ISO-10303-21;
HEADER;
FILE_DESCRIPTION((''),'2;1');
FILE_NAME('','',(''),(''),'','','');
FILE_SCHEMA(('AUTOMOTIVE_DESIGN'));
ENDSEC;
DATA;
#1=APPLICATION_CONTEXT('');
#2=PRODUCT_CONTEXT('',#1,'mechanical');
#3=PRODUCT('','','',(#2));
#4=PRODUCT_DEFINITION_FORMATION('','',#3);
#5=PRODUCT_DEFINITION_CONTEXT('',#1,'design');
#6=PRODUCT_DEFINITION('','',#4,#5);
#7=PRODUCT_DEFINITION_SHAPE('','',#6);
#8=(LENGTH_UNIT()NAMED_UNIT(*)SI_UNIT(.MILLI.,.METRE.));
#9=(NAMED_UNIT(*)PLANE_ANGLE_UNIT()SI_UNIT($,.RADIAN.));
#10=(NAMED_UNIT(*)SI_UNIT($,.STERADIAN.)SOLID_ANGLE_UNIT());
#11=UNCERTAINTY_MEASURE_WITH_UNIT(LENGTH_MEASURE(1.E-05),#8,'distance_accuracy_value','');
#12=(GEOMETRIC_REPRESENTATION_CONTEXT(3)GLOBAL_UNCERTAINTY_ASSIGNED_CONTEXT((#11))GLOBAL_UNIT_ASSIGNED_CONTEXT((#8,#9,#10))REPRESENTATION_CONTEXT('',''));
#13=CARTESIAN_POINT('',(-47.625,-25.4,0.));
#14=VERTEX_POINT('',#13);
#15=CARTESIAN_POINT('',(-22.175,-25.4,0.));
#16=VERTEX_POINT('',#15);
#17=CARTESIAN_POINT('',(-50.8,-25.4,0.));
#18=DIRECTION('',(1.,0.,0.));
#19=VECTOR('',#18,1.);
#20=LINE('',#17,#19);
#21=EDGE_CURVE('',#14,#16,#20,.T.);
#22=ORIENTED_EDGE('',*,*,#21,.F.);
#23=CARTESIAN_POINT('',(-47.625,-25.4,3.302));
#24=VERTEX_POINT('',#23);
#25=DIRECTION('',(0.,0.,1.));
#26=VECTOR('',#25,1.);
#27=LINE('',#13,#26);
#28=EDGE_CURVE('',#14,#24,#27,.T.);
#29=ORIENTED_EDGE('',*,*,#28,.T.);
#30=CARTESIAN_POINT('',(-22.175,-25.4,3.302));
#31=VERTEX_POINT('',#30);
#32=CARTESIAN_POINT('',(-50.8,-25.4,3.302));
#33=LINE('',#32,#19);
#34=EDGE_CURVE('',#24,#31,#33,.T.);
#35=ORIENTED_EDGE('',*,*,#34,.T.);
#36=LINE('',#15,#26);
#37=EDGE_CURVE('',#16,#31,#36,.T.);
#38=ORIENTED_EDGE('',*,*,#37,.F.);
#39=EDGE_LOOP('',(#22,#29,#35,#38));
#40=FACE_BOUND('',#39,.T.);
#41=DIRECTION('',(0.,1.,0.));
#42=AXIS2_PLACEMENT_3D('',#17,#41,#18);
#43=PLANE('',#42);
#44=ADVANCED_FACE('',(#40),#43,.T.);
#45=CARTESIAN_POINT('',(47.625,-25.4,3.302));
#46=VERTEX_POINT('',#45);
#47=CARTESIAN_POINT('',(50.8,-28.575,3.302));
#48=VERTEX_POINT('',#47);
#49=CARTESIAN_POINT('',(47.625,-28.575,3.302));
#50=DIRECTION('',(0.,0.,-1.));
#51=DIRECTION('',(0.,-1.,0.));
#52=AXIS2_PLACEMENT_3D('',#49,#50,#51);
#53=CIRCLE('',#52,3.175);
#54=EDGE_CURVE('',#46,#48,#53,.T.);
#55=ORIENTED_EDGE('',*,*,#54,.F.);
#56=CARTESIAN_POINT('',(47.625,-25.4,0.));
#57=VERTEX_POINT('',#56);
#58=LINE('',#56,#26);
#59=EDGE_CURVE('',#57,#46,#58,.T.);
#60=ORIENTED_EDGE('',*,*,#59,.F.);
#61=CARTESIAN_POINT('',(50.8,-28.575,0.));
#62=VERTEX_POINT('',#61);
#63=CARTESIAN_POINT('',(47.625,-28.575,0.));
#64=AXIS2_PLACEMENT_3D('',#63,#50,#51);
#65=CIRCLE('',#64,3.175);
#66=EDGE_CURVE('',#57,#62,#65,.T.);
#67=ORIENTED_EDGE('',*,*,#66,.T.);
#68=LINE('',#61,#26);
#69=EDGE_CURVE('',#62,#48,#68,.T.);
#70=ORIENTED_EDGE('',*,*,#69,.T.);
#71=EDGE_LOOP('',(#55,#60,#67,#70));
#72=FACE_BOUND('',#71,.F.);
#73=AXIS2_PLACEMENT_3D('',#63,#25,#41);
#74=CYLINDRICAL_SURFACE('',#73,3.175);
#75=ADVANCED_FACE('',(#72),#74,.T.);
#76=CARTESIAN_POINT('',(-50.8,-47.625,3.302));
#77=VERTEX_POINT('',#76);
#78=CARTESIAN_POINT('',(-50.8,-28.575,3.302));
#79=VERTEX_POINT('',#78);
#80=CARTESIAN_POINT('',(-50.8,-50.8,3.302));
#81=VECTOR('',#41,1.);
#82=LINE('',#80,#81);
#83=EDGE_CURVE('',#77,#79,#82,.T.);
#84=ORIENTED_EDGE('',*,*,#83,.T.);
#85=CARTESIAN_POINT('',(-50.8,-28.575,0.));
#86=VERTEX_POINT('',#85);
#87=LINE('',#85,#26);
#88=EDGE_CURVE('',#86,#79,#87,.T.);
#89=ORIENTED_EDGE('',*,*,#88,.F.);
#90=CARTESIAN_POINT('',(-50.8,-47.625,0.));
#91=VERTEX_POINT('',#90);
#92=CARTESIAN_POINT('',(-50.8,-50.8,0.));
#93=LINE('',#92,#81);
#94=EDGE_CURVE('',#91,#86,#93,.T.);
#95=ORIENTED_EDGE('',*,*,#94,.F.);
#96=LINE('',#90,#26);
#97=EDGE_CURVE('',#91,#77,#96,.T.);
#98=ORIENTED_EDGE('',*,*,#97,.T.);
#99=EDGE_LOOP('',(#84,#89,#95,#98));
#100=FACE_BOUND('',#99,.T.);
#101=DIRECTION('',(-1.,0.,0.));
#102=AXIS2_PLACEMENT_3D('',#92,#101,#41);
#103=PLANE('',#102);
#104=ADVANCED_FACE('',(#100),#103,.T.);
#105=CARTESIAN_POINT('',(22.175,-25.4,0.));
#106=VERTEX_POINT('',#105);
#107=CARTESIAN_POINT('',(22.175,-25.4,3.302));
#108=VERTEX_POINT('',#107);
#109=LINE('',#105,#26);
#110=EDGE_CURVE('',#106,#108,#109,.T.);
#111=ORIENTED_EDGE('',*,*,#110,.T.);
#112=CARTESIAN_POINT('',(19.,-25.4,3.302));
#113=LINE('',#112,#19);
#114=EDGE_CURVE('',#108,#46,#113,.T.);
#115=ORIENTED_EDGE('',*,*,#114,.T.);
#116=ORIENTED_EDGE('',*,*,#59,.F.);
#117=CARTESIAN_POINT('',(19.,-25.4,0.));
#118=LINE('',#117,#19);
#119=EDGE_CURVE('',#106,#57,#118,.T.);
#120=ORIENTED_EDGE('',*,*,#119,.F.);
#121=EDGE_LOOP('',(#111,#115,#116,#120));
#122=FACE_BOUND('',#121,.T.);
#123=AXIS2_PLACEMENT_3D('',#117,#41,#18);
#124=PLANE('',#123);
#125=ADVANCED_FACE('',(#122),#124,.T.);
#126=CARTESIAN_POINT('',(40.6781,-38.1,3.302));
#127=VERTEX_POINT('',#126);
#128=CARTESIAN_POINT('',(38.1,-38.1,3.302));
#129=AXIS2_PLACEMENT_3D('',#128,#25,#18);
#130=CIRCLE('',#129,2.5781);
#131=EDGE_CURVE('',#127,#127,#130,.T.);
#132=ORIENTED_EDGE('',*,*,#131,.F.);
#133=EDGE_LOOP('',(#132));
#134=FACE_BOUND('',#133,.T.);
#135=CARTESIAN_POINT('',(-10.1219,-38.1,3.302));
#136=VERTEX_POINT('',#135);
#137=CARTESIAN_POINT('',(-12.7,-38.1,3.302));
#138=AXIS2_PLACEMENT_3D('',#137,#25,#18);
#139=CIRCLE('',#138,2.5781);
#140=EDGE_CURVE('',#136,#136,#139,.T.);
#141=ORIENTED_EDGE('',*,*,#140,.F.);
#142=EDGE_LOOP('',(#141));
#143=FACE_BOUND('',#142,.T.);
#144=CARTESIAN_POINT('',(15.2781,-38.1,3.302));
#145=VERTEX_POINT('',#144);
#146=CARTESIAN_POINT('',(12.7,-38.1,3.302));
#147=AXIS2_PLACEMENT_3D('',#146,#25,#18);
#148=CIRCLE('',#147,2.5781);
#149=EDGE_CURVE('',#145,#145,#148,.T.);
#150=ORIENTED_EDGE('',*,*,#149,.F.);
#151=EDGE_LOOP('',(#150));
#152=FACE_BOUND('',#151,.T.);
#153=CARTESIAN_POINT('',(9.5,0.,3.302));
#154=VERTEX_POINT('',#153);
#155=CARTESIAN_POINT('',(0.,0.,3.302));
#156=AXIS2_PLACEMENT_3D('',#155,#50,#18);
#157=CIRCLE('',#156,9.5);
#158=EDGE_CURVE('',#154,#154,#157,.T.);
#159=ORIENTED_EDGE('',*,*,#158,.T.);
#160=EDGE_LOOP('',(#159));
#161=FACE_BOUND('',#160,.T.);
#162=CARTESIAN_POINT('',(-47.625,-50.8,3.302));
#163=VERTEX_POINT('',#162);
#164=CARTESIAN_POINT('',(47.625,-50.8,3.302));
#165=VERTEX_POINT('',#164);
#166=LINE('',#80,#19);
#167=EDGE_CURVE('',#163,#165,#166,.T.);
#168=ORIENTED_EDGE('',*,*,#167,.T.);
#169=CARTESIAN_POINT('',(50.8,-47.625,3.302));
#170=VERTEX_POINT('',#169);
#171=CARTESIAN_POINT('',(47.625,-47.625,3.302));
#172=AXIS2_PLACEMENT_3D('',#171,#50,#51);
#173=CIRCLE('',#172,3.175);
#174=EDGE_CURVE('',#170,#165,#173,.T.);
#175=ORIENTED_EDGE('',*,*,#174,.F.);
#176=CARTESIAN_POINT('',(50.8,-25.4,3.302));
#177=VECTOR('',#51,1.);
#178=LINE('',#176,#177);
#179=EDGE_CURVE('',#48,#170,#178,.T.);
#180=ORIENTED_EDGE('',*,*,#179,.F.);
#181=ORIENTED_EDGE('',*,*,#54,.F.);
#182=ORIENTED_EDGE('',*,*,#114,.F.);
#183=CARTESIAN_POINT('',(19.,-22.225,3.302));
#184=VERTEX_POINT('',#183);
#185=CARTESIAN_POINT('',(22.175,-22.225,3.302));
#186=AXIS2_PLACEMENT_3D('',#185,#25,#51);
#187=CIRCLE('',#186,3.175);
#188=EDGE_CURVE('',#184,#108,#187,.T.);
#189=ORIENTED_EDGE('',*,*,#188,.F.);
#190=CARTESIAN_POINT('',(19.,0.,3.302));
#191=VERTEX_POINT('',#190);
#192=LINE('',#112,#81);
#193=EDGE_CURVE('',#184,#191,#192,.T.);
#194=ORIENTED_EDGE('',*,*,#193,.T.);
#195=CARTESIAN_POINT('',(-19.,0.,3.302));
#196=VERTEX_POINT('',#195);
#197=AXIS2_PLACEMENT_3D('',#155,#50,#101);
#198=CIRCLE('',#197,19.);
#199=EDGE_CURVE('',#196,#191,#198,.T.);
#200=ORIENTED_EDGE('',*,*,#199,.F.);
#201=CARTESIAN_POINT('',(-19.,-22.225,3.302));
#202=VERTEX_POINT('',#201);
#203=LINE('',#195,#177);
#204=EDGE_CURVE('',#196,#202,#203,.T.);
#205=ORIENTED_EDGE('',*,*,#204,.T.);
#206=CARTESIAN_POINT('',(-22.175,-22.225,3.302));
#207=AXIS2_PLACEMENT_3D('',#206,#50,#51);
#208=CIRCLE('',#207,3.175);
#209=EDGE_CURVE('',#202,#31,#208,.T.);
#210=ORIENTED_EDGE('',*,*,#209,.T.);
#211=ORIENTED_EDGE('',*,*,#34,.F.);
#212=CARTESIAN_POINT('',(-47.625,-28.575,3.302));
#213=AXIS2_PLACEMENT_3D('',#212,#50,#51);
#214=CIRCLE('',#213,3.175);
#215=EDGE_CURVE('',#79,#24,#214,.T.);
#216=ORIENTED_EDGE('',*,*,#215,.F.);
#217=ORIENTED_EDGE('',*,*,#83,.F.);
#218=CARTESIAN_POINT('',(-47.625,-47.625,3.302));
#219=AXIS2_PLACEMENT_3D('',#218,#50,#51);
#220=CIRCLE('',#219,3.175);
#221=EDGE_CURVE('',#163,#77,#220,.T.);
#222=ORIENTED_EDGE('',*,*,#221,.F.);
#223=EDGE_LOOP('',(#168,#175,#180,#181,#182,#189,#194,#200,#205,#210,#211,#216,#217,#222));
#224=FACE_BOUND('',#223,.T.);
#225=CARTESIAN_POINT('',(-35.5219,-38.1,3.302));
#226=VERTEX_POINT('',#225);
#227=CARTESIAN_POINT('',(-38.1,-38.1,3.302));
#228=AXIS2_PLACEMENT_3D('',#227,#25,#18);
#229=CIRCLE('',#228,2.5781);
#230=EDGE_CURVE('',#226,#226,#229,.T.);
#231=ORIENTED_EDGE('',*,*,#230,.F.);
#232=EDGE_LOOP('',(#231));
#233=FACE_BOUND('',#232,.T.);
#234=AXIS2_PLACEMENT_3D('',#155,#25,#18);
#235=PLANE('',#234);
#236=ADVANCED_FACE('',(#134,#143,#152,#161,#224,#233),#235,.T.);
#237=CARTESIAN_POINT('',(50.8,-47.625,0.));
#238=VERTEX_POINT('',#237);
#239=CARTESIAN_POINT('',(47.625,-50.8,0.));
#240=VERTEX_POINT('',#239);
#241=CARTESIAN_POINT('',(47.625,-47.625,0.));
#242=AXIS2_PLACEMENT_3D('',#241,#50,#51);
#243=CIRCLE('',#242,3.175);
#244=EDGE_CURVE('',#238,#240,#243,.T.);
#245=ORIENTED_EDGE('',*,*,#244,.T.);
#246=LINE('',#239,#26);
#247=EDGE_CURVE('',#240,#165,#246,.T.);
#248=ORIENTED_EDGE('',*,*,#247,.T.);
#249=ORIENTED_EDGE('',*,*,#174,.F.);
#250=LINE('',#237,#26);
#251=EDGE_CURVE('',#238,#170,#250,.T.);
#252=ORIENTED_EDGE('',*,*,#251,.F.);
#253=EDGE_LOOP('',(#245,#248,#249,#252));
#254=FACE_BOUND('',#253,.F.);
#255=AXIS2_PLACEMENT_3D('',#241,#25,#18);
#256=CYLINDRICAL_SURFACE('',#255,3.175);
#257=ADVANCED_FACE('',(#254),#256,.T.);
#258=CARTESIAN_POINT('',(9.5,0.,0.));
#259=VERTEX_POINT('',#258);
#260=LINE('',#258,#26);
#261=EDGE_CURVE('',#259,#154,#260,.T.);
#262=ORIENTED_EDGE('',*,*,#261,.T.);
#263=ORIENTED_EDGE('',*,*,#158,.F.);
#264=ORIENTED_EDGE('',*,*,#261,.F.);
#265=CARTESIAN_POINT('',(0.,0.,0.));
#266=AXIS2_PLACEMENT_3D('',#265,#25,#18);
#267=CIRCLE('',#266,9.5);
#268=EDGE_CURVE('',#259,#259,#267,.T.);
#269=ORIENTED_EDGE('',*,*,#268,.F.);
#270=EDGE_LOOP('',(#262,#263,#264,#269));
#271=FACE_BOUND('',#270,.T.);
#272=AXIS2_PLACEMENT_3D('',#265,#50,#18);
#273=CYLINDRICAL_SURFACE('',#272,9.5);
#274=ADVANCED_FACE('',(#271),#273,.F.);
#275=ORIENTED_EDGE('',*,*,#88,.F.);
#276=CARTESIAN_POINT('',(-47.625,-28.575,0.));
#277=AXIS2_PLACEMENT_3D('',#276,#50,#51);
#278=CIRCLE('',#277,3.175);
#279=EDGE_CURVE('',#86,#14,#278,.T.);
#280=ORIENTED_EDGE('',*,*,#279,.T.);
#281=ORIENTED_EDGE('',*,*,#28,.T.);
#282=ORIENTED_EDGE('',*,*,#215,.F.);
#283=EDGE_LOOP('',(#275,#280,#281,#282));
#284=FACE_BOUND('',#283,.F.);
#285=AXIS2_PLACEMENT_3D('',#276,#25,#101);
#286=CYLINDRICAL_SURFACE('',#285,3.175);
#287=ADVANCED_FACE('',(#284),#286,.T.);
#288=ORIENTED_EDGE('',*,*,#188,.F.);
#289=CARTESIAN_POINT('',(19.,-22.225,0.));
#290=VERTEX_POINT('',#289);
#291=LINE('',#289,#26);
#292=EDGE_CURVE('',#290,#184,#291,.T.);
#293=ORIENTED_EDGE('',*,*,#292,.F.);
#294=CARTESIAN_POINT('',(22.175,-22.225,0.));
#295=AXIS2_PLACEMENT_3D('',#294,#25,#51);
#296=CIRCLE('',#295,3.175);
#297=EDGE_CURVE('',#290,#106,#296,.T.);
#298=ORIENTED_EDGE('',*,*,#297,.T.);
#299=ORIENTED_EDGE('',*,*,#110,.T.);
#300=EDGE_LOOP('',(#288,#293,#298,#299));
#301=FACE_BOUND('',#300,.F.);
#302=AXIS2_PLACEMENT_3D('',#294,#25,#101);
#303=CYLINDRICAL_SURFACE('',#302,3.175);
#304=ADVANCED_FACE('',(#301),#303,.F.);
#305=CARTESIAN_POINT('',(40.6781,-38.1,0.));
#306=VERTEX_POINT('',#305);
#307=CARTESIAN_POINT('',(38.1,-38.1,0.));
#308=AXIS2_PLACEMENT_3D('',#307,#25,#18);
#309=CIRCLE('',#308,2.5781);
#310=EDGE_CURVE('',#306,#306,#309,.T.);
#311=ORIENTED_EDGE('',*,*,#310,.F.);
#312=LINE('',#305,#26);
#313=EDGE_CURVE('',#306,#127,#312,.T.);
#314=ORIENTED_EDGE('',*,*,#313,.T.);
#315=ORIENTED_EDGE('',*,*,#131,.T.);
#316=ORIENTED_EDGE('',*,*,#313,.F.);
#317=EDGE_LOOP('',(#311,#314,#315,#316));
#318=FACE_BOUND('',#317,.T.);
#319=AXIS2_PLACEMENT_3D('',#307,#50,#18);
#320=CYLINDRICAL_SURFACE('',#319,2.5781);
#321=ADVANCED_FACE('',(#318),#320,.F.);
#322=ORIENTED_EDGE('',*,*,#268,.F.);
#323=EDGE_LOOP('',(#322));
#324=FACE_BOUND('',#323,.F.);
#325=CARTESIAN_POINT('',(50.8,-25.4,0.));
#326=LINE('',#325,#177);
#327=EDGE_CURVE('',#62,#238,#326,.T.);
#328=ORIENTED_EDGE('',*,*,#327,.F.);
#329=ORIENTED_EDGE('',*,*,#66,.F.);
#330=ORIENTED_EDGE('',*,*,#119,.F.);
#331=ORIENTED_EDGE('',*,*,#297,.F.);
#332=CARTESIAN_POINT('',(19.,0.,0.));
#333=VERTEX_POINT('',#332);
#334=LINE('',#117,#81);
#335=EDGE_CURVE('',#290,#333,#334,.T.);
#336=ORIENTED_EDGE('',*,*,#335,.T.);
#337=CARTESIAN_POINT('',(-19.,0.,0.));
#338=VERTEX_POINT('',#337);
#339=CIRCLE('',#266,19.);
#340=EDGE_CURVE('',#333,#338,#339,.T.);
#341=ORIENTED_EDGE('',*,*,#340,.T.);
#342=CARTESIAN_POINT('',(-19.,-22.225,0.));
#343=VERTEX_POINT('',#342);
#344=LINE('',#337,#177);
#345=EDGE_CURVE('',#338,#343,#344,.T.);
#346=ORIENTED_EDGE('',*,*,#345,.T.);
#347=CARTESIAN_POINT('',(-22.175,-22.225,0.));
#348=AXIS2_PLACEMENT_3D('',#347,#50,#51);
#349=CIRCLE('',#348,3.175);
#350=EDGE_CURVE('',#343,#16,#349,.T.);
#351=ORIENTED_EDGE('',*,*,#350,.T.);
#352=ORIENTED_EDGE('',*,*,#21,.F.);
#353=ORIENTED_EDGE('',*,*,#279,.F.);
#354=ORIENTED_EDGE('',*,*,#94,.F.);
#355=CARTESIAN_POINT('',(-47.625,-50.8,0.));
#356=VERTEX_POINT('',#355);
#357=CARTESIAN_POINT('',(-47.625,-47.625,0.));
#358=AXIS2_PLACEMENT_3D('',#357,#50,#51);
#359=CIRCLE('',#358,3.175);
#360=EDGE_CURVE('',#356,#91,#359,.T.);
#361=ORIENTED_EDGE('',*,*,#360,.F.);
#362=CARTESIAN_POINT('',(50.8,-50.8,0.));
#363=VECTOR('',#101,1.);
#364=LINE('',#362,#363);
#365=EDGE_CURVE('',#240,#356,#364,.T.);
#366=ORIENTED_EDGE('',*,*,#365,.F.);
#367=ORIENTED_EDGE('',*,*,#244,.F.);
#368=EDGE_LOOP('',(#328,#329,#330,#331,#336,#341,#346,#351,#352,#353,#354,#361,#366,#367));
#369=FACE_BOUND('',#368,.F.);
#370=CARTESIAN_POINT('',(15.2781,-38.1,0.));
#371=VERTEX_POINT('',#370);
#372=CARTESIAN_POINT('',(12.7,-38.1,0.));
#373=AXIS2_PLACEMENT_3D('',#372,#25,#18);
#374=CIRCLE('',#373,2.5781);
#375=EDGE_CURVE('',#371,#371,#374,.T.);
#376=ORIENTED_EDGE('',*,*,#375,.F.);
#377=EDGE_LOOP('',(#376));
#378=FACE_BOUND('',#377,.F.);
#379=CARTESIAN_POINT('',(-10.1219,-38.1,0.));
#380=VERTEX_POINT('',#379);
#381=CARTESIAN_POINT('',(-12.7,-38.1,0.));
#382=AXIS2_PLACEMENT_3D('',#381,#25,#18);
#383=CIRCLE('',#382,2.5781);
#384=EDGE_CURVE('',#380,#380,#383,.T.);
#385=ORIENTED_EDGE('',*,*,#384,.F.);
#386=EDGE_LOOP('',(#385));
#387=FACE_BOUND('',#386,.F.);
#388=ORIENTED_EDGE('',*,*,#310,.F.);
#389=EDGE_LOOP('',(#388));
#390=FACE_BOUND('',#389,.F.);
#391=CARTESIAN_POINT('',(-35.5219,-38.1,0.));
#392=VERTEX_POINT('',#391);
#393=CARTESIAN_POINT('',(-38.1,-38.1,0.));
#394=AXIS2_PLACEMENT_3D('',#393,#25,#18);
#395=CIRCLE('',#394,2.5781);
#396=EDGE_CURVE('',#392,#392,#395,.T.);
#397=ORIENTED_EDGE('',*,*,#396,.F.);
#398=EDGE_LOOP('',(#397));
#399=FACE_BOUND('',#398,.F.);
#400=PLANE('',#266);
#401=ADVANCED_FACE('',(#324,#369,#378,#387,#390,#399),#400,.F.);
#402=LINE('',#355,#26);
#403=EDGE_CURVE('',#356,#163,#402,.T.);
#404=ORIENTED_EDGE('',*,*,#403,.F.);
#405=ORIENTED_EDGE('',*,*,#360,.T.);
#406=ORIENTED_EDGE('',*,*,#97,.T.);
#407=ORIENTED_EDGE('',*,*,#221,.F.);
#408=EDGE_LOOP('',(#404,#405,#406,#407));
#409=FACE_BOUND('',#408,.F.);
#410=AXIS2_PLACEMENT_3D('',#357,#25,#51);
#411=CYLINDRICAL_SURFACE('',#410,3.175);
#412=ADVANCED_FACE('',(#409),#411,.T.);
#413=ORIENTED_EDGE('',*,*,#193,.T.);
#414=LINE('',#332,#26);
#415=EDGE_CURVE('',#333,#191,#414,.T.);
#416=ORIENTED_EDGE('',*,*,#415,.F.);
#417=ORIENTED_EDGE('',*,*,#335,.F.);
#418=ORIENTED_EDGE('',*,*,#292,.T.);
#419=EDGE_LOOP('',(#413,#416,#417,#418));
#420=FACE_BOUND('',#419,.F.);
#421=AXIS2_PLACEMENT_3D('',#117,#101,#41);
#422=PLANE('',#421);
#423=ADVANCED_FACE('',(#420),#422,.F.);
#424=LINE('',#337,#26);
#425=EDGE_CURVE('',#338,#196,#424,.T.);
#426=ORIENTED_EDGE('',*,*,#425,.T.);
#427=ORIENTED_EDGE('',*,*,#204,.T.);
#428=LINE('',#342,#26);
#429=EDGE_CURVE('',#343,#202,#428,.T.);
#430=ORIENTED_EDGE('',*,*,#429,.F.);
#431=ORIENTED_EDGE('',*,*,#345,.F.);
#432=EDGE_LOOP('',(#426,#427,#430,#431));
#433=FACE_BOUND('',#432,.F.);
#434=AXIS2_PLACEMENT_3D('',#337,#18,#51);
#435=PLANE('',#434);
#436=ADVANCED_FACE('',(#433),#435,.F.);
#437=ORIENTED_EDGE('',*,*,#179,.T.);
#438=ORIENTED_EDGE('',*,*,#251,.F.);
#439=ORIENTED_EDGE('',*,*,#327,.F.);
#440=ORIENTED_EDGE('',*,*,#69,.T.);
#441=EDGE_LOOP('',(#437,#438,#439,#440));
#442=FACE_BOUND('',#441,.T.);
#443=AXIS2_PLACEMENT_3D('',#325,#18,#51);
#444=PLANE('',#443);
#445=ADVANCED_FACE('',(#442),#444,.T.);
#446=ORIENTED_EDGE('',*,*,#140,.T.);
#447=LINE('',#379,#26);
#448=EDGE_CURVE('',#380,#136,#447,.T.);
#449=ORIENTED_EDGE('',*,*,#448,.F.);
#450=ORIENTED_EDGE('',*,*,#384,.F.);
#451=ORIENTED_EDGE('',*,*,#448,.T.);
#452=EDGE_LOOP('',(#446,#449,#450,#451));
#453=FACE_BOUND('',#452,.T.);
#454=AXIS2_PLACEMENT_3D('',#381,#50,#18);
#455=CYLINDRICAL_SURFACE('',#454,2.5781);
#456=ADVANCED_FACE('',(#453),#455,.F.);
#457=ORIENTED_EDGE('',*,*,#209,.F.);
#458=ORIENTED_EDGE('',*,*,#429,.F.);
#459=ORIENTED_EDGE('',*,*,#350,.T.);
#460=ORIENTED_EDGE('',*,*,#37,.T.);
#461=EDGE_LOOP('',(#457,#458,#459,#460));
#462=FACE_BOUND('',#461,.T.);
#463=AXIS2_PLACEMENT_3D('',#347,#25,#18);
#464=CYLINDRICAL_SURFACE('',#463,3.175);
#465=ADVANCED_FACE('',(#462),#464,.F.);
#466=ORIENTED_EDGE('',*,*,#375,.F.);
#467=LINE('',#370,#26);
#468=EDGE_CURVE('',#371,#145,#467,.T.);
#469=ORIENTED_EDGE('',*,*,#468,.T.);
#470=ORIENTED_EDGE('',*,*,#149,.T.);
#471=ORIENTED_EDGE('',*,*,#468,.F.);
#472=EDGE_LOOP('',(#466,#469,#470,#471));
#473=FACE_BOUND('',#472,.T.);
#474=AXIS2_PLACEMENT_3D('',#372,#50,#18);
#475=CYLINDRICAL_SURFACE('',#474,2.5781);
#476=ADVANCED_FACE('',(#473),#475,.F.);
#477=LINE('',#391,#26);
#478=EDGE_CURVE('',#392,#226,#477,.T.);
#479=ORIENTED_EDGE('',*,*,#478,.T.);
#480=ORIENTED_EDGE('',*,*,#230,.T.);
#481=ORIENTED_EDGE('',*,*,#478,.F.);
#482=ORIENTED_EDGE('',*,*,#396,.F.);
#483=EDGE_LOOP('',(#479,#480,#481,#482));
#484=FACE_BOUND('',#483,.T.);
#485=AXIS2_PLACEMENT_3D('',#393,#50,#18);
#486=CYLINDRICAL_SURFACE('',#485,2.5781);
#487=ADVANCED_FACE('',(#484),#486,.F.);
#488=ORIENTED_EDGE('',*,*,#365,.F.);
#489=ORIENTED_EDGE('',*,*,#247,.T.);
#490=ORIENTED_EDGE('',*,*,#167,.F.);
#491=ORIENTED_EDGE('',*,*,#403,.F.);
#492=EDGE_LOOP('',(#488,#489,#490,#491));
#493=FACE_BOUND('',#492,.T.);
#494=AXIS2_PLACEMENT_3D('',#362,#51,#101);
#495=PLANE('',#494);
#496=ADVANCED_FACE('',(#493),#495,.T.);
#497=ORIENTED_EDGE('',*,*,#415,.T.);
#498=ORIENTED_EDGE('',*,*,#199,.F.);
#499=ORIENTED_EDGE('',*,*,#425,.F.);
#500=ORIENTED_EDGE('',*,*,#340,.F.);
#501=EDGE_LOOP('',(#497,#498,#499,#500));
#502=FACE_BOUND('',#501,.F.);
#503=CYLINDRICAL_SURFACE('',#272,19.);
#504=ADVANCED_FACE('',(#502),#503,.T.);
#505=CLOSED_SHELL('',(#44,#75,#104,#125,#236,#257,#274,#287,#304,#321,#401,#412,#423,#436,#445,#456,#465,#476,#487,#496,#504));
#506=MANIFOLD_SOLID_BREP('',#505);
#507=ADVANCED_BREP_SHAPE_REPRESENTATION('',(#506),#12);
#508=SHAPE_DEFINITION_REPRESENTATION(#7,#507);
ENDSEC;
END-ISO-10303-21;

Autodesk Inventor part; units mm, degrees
ref_plane "YZ Plane" through (0, 0, 0) normal (1, 0, 0) x (0, 1, 0)
ref_plane "XZ Plane" through (0, 0, 0) normal (0, 1, 0) x (-1, 0, 0)
ref_plane "XY Plane" through (0, 0, 0) normal (0, 0, 1) x (1, 0, 0)
sketch "Sketch1" plane through (0, 0, 0) normal (0, 0, 1) x (1, 0, 0)
  arc A0 (19, 0) -> (-19, 0) centre (0, 0) ccw
  circle A1 centre (0, 0) radius 9.5
  line L0 (-19, -50.8) -> (19, -50.8)
  line L1 (19, -25.4) -> (19, 0)
  line L2 (-19, 0) -> (-19, -25.4)
  line L3 (0, -64.76) -> (0, 32.96) projected
  circle A2 centre (-12.7, -38.1) radius 2.5781
  circle A3 centre (12.7, -38.1) radius 2.5781
  line L4 (-19, -50.8) -> (-50.8, -50.8)
  line L5 (-50.8, -50.8) -> (-50.8, -25.4)
  line L6 (50.8, -25.4) -> (50.8, -50.8)
  line L7 (50.8, -50.8) -> (-50.8, -50.8)
  line L8 (-50.8, -25.4) -> (-19, -25.4)
  line L9 (19, -25.4) -> (50.8, -25.4)
  circle A4 centre (-38.1, -38.1) radius 2.5781
  circle A5 centre (38.1, -38.1) radius 2.5781
  dimension "d0" = 38
  dimension "d1" = 19
  dimension "d10" = 5.1562
  dimension "d11" = 5.1562
  dimension "d12" = 12.7
  dimension "d13" = 12.7
  dimension "d14" = 12.7
  dimension "d15" = 12.7
  dimension "d16" = 50.8
  dimension "d17" = 25.4
  dimension "d18" = 101.6
  dimension "d19" = 50.8
  dimension "d20" = 25.4
  dimension "d21" = 25.4
extrude "Extrusion1" add sketch "Sketch1" along normal blind 3.302 contours L1 L9 L6 L7 L0 L3 A1 A0 | L3 A1 L0 L4 L5 L8 L2 A0
fillet "Fillet1" radius 3.175 6 edges at (19, -25.4, 1.651) (-19, -25.4, 1.651) (-50.8, -25.4, 1.651) (-50.8, -50.8, 1.651) (50.8, -25.4, 1.651) (50.8, -50.8, 1.651)
equation "\"d0\" = 2 * d1"
equation "\"d19\" = 0.5 * d18"
properties part number "ArmPlateBase"
